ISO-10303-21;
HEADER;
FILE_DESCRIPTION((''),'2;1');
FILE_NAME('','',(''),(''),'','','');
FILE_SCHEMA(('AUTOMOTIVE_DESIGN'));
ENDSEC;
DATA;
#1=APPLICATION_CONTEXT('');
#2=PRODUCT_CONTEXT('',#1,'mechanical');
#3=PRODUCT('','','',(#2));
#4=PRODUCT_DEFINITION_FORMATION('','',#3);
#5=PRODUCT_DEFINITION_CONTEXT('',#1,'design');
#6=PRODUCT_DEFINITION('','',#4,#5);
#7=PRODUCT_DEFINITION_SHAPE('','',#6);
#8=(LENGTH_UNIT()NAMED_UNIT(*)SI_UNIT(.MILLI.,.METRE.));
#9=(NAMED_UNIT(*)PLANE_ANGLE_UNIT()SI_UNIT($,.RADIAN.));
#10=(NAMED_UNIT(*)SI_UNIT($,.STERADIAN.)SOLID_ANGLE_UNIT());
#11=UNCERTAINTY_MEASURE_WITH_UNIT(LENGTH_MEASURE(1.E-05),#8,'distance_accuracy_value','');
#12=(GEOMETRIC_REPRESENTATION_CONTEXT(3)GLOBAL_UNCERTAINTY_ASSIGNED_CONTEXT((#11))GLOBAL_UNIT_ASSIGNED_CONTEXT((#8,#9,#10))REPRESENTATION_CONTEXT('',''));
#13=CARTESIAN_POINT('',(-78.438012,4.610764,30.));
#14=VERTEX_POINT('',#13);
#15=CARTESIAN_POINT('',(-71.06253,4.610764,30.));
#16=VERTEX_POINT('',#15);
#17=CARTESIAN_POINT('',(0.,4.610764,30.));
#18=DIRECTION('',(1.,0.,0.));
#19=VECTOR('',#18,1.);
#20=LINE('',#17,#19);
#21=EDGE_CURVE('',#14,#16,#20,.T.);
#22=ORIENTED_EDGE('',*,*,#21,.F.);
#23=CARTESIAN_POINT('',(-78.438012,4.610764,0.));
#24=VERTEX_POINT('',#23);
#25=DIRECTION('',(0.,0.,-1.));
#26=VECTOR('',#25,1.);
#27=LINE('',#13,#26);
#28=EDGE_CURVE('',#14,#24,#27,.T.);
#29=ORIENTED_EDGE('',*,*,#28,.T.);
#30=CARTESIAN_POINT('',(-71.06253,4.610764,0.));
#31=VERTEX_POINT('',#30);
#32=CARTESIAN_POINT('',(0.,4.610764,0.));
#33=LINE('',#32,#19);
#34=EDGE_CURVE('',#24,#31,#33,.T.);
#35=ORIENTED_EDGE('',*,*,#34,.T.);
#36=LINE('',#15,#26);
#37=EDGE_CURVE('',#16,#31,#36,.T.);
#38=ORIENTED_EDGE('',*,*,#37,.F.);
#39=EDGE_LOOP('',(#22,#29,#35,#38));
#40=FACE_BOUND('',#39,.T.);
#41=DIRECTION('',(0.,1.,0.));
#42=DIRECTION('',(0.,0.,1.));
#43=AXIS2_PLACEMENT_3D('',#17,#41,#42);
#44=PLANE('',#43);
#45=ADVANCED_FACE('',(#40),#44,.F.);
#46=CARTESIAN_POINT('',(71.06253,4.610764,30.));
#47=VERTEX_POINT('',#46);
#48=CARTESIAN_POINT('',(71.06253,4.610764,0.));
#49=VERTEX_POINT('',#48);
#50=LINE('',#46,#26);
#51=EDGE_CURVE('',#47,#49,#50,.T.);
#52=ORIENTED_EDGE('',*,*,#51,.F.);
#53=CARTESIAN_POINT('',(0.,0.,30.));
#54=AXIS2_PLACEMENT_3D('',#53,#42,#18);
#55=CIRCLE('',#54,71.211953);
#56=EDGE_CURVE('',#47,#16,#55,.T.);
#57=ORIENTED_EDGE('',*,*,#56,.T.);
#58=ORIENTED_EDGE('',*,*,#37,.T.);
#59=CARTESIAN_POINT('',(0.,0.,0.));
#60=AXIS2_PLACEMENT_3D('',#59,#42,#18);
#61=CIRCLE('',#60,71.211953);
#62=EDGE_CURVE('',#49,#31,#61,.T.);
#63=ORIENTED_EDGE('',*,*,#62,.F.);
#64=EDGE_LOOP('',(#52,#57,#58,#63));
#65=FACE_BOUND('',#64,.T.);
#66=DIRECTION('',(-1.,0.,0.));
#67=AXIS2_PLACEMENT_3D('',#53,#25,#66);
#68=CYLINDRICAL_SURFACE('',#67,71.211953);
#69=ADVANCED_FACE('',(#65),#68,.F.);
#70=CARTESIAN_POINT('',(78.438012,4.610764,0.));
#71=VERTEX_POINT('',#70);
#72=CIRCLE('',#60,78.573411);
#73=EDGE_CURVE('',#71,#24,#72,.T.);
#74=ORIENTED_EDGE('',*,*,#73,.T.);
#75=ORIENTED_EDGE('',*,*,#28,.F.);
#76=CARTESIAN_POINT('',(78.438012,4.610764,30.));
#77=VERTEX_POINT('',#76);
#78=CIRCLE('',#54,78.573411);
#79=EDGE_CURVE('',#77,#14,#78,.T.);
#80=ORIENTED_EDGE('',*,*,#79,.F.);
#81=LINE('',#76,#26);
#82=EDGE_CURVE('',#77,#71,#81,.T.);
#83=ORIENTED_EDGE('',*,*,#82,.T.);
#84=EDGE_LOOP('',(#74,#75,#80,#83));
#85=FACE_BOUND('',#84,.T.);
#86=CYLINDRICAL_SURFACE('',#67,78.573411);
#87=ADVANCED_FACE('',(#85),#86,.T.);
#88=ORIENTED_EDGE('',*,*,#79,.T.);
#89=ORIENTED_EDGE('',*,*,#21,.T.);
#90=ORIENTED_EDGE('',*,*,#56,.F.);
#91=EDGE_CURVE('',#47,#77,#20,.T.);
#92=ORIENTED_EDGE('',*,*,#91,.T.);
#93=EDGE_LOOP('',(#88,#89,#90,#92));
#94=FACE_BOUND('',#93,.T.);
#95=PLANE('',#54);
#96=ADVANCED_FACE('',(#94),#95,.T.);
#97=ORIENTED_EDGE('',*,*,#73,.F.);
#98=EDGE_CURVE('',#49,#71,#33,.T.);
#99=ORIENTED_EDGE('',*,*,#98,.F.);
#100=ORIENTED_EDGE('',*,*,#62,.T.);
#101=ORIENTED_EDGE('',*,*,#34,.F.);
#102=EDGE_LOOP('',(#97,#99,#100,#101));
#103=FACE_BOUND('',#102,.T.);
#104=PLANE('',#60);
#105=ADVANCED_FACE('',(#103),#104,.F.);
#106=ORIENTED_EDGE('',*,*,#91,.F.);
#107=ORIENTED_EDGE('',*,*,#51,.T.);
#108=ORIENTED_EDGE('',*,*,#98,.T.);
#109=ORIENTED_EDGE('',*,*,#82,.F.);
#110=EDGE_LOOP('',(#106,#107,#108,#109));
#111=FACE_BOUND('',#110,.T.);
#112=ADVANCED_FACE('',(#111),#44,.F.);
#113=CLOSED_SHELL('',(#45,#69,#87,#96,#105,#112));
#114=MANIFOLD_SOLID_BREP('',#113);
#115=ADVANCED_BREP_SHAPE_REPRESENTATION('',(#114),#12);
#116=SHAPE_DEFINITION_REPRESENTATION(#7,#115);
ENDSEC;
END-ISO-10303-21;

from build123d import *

# Parameters (mm, degrees)
BOSS_EXTRUDE1_DEPTH = 30


with BuildPart() as part:
    # Sketch1 → Boss-Extrude1 (new body)
    with BuildSketch(Plane.XY):
        with BuildLine():
            ThreePointArc((78.43801195, 4.610764133), (0, 78.573410671), (-78.43801195, 4.610764133))
            Line((-78.43801195, 4.610764133), (-71.062529975, 4.610764133))
            ThreePointArc((-71.062529975, 4.610764133), (0, 71.211953437), (71.062529975, 4.610764133))
            Line((71.062529975, 4.610764133), (78.43801195, 4.610764133))
        make_face()
    extrude(amount=BOSS_EXTRUDE1_DEPTH)


solid = part.part
